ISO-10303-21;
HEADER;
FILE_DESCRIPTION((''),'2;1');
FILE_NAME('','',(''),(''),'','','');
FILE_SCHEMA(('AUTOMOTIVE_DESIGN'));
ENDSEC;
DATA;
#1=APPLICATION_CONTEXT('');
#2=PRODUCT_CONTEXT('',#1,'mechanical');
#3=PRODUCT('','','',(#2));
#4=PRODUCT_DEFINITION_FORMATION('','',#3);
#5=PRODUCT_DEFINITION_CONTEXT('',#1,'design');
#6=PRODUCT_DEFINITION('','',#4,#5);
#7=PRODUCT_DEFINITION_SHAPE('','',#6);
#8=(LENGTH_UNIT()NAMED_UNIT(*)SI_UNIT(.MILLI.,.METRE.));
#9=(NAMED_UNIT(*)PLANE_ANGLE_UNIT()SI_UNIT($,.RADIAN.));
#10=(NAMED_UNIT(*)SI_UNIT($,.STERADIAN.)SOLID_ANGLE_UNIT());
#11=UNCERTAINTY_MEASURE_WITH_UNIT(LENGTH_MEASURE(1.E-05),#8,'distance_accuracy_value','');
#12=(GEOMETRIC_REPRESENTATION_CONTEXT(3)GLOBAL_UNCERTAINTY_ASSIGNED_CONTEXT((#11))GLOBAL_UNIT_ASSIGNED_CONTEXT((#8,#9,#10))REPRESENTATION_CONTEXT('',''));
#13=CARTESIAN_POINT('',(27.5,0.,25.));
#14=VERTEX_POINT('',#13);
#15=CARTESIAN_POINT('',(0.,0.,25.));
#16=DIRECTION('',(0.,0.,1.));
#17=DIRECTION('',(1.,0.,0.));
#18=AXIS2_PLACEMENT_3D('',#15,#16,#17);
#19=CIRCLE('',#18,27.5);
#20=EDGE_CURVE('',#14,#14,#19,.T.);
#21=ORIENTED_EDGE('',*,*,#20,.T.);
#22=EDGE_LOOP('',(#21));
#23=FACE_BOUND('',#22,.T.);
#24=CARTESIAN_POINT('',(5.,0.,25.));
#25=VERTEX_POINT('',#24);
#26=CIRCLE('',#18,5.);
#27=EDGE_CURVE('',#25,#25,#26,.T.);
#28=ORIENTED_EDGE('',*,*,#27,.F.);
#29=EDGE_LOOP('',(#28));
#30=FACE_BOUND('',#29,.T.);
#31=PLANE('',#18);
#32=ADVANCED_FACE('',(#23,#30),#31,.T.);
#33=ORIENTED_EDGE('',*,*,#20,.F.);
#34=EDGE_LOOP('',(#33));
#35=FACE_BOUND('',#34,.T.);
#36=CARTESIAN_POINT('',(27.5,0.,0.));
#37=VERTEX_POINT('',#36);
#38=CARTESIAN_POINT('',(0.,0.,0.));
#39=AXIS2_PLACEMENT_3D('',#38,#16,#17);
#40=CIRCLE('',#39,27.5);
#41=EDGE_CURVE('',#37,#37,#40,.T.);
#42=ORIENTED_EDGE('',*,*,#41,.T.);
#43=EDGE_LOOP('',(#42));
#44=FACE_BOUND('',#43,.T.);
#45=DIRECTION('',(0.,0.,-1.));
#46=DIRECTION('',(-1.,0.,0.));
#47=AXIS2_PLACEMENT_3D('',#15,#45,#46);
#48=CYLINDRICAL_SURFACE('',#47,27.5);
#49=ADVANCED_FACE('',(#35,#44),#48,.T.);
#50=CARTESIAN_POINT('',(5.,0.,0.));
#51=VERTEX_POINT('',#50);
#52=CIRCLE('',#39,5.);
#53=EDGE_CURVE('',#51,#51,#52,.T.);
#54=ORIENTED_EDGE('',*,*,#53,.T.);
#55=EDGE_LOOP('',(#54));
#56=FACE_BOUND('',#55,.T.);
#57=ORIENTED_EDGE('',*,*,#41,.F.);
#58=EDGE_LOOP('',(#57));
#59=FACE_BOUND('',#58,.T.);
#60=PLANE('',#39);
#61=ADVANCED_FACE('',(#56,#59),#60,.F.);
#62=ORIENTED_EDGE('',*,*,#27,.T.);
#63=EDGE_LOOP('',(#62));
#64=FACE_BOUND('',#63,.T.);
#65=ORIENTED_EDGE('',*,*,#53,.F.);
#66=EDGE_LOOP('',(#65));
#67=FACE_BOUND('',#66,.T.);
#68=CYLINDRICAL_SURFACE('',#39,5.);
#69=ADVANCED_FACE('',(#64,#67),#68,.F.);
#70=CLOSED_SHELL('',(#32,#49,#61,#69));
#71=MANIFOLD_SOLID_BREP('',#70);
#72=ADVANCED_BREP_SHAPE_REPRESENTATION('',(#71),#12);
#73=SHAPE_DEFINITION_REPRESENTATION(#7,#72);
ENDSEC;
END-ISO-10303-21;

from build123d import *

# Parameters (mm, degrees)
SKETCH1_R           = 27.5
BOSS_EXTRUDE1_DEPTH = 25
SKETCH2_R           = 5
CUT_EXTRUDE1_DEPTH  = 25


with BuildPart() as part:
    # Sketch1 → Boss-Extrude1 (new body)
    with BuildSketch(Plane.XY):
        Circle(SKETCH1_R)
    extrude(amount=BOSS_EXTRUDE1_DEPTH)

    # Sketch2 → Cut-Extrude1 (cut)
    with BuildSketch(Plane.XY.offset(25)):
        Circle(SKETCH2_R)
    extrude(amount=-CUT_EXTRUDE1_DEPTH, mode=Mode.SUBTRACT)


solid = part.part
